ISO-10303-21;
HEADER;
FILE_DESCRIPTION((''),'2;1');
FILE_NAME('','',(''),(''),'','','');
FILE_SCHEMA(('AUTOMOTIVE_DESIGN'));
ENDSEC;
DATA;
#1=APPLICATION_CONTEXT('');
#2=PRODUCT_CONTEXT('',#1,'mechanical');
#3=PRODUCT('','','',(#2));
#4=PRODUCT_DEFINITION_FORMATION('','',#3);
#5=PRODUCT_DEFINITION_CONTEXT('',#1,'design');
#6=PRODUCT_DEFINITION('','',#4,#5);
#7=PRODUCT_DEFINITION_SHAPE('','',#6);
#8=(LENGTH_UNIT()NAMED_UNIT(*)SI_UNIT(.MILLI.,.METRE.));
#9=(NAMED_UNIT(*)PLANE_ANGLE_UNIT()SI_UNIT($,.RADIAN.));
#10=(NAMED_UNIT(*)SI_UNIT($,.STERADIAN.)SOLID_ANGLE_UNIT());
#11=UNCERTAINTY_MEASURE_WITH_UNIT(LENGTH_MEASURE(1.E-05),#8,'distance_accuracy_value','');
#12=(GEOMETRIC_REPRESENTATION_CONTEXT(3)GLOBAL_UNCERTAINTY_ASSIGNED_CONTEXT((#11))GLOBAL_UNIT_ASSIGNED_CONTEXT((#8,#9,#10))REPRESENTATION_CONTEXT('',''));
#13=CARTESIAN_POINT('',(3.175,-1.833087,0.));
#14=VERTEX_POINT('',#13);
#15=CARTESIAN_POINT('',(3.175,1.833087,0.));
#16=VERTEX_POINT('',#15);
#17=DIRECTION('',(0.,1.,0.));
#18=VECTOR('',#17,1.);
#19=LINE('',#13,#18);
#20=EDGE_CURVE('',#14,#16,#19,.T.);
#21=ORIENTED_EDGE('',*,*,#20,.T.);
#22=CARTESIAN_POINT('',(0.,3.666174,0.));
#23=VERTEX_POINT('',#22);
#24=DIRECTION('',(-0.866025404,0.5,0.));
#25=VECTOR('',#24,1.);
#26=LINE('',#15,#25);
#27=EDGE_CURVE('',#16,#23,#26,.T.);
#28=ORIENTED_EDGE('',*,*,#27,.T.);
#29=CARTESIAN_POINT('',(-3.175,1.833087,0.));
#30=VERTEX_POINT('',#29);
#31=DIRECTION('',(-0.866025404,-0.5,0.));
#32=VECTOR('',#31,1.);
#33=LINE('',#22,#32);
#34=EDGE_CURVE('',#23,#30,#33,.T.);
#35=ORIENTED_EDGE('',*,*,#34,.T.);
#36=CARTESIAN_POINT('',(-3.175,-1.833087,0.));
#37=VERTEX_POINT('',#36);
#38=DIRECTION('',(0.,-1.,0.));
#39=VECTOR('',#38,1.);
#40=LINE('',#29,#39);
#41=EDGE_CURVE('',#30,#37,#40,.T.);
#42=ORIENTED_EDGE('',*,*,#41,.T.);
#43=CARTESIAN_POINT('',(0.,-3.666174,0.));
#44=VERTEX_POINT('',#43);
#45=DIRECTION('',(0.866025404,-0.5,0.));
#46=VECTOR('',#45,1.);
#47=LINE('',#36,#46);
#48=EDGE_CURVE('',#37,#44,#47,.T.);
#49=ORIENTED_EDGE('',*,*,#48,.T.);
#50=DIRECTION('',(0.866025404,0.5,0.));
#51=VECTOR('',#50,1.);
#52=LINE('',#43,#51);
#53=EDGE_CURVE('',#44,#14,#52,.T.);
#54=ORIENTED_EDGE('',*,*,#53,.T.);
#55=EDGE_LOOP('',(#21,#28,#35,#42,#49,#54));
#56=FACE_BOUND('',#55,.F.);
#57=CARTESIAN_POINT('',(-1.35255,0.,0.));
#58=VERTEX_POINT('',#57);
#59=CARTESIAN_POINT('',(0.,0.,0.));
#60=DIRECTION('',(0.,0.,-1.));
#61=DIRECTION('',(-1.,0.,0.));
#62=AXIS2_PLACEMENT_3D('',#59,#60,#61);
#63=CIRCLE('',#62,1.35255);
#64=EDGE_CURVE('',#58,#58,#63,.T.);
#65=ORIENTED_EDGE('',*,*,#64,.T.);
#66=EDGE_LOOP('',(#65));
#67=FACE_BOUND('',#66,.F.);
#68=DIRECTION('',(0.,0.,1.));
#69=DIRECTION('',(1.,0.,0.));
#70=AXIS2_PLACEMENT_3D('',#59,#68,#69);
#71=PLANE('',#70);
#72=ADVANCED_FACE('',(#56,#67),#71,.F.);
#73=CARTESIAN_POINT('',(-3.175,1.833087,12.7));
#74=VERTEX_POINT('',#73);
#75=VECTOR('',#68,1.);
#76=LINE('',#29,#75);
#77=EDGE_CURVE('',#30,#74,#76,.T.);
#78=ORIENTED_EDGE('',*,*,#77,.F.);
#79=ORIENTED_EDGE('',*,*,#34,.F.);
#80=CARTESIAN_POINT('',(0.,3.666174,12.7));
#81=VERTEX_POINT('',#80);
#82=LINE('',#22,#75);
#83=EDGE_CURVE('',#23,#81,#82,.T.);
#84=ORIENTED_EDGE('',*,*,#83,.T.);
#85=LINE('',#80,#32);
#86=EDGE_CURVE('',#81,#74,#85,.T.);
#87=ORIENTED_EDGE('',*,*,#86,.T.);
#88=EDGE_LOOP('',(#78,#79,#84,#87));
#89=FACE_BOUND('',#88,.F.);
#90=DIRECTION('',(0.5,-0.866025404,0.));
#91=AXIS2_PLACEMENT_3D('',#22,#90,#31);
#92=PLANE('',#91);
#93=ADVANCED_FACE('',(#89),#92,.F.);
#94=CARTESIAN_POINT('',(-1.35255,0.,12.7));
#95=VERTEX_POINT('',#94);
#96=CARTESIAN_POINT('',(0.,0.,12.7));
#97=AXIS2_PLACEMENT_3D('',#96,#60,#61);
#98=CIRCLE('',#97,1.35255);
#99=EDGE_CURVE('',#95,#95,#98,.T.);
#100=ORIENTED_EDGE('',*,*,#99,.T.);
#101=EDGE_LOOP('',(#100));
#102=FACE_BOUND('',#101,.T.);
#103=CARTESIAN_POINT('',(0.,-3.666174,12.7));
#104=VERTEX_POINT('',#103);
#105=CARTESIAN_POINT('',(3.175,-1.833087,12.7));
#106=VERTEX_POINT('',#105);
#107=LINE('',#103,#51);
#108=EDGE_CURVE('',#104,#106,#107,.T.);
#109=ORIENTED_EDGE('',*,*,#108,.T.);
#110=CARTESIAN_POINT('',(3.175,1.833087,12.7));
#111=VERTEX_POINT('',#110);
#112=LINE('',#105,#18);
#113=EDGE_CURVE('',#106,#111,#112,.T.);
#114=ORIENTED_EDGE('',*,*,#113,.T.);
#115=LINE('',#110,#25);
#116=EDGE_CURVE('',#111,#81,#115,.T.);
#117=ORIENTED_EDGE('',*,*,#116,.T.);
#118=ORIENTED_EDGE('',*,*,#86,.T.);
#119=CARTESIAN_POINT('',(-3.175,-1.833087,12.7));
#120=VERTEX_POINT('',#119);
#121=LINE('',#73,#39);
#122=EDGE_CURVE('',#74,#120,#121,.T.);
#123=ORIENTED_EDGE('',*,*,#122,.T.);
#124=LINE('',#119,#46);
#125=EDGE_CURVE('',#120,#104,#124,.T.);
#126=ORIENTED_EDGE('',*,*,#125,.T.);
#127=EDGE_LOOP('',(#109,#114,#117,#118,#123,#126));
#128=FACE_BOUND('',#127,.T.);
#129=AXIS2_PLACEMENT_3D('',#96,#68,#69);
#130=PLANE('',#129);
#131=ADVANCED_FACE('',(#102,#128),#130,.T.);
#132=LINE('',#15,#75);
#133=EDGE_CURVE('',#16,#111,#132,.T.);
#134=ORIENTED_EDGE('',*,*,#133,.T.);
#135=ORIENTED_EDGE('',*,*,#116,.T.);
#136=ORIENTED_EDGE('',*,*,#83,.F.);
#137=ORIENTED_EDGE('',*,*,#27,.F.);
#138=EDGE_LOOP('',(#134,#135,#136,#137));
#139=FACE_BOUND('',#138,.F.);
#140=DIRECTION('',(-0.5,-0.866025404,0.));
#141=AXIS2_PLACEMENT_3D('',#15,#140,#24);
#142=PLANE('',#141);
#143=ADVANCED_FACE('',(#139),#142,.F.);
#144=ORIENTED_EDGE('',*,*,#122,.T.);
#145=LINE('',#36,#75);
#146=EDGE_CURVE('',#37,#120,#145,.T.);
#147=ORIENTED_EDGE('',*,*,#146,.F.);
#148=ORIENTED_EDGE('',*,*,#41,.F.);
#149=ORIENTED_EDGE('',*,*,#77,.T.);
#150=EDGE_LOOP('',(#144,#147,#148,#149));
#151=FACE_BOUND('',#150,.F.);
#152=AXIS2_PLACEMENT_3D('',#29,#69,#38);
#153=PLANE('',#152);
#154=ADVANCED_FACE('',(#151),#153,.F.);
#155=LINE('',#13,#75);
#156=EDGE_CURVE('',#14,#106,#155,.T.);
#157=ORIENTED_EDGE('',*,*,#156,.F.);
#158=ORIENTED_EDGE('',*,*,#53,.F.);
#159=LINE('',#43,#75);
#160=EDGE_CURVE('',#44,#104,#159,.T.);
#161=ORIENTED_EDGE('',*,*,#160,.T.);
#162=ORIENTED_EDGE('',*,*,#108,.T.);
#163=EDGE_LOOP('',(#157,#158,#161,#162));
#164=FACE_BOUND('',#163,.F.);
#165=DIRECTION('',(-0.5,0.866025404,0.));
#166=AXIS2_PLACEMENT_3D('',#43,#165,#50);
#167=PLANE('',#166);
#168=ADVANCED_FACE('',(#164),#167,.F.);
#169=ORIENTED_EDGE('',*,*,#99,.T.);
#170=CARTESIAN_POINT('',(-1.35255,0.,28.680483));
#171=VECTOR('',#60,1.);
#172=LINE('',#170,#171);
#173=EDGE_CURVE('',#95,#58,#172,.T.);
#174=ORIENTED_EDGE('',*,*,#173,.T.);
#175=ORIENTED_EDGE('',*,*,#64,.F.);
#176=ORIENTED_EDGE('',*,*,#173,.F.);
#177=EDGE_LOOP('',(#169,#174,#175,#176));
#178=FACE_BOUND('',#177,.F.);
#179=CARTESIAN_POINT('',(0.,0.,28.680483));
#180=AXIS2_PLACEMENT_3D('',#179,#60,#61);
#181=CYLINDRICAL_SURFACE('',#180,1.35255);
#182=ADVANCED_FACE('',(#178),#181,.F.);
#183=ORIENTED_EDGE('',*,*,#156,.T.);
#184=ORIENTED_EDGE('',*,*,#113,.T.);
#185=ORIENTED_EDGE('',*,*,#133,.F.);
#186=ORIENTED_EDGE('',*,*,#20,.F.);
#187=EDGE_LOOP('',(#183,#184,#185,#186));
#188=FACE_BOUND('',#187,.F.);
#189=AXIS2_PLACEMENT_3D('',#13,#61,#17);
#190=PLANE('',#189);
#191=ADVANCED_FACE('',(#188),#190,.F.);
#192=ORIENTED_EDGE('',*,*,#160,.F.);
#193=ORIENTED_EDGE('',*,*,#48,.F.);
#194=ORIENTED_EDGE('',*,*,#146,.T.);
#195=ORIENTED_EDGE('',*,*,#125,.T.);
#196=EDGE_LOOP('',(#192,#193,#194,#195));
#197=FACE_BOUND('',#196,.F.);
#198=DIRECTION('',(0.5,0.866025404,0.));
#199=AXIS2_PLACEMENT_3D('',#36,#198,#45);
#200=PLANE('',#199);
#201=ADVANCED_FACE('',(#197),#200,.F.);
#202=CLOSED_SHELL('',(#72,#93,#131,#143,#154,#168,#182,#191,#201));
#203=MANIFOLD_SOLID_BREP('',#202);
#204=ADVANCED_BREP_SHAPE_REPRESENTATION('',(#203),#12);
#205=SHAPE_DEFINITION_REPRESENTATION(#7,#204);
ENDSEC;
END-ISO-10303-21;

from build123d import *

# Parameters (mm, degrees)
BOSS_EXTRUDE1_DEPTH   = 12.7
F_6_32_TAPPED_HOLE1_D = 2.7051


with BuildPart() as part:
    # Sketch1 → Boss-Extrude1 (new body)
    with BuildSketch(Plane.XY):
        Polygon((0, 3.666174209), (-3.175, 1.833087105), (-3.175, -1.833087105), (0, -3.666174209), (3.175, -1.833087105), (3.175, 1.833087105), align=None)
    extrude(amount=BOSS_EXTRUDE1_DEPTH)

    # #6-32 Tapped Hole1 (through all)
    with Locations(Plane.XY.offset(12.7)):
        with Locations((0, 0)):
            Hole(F_6_32_TAPPED_HOLE1_D / 2)


solid = part.part
